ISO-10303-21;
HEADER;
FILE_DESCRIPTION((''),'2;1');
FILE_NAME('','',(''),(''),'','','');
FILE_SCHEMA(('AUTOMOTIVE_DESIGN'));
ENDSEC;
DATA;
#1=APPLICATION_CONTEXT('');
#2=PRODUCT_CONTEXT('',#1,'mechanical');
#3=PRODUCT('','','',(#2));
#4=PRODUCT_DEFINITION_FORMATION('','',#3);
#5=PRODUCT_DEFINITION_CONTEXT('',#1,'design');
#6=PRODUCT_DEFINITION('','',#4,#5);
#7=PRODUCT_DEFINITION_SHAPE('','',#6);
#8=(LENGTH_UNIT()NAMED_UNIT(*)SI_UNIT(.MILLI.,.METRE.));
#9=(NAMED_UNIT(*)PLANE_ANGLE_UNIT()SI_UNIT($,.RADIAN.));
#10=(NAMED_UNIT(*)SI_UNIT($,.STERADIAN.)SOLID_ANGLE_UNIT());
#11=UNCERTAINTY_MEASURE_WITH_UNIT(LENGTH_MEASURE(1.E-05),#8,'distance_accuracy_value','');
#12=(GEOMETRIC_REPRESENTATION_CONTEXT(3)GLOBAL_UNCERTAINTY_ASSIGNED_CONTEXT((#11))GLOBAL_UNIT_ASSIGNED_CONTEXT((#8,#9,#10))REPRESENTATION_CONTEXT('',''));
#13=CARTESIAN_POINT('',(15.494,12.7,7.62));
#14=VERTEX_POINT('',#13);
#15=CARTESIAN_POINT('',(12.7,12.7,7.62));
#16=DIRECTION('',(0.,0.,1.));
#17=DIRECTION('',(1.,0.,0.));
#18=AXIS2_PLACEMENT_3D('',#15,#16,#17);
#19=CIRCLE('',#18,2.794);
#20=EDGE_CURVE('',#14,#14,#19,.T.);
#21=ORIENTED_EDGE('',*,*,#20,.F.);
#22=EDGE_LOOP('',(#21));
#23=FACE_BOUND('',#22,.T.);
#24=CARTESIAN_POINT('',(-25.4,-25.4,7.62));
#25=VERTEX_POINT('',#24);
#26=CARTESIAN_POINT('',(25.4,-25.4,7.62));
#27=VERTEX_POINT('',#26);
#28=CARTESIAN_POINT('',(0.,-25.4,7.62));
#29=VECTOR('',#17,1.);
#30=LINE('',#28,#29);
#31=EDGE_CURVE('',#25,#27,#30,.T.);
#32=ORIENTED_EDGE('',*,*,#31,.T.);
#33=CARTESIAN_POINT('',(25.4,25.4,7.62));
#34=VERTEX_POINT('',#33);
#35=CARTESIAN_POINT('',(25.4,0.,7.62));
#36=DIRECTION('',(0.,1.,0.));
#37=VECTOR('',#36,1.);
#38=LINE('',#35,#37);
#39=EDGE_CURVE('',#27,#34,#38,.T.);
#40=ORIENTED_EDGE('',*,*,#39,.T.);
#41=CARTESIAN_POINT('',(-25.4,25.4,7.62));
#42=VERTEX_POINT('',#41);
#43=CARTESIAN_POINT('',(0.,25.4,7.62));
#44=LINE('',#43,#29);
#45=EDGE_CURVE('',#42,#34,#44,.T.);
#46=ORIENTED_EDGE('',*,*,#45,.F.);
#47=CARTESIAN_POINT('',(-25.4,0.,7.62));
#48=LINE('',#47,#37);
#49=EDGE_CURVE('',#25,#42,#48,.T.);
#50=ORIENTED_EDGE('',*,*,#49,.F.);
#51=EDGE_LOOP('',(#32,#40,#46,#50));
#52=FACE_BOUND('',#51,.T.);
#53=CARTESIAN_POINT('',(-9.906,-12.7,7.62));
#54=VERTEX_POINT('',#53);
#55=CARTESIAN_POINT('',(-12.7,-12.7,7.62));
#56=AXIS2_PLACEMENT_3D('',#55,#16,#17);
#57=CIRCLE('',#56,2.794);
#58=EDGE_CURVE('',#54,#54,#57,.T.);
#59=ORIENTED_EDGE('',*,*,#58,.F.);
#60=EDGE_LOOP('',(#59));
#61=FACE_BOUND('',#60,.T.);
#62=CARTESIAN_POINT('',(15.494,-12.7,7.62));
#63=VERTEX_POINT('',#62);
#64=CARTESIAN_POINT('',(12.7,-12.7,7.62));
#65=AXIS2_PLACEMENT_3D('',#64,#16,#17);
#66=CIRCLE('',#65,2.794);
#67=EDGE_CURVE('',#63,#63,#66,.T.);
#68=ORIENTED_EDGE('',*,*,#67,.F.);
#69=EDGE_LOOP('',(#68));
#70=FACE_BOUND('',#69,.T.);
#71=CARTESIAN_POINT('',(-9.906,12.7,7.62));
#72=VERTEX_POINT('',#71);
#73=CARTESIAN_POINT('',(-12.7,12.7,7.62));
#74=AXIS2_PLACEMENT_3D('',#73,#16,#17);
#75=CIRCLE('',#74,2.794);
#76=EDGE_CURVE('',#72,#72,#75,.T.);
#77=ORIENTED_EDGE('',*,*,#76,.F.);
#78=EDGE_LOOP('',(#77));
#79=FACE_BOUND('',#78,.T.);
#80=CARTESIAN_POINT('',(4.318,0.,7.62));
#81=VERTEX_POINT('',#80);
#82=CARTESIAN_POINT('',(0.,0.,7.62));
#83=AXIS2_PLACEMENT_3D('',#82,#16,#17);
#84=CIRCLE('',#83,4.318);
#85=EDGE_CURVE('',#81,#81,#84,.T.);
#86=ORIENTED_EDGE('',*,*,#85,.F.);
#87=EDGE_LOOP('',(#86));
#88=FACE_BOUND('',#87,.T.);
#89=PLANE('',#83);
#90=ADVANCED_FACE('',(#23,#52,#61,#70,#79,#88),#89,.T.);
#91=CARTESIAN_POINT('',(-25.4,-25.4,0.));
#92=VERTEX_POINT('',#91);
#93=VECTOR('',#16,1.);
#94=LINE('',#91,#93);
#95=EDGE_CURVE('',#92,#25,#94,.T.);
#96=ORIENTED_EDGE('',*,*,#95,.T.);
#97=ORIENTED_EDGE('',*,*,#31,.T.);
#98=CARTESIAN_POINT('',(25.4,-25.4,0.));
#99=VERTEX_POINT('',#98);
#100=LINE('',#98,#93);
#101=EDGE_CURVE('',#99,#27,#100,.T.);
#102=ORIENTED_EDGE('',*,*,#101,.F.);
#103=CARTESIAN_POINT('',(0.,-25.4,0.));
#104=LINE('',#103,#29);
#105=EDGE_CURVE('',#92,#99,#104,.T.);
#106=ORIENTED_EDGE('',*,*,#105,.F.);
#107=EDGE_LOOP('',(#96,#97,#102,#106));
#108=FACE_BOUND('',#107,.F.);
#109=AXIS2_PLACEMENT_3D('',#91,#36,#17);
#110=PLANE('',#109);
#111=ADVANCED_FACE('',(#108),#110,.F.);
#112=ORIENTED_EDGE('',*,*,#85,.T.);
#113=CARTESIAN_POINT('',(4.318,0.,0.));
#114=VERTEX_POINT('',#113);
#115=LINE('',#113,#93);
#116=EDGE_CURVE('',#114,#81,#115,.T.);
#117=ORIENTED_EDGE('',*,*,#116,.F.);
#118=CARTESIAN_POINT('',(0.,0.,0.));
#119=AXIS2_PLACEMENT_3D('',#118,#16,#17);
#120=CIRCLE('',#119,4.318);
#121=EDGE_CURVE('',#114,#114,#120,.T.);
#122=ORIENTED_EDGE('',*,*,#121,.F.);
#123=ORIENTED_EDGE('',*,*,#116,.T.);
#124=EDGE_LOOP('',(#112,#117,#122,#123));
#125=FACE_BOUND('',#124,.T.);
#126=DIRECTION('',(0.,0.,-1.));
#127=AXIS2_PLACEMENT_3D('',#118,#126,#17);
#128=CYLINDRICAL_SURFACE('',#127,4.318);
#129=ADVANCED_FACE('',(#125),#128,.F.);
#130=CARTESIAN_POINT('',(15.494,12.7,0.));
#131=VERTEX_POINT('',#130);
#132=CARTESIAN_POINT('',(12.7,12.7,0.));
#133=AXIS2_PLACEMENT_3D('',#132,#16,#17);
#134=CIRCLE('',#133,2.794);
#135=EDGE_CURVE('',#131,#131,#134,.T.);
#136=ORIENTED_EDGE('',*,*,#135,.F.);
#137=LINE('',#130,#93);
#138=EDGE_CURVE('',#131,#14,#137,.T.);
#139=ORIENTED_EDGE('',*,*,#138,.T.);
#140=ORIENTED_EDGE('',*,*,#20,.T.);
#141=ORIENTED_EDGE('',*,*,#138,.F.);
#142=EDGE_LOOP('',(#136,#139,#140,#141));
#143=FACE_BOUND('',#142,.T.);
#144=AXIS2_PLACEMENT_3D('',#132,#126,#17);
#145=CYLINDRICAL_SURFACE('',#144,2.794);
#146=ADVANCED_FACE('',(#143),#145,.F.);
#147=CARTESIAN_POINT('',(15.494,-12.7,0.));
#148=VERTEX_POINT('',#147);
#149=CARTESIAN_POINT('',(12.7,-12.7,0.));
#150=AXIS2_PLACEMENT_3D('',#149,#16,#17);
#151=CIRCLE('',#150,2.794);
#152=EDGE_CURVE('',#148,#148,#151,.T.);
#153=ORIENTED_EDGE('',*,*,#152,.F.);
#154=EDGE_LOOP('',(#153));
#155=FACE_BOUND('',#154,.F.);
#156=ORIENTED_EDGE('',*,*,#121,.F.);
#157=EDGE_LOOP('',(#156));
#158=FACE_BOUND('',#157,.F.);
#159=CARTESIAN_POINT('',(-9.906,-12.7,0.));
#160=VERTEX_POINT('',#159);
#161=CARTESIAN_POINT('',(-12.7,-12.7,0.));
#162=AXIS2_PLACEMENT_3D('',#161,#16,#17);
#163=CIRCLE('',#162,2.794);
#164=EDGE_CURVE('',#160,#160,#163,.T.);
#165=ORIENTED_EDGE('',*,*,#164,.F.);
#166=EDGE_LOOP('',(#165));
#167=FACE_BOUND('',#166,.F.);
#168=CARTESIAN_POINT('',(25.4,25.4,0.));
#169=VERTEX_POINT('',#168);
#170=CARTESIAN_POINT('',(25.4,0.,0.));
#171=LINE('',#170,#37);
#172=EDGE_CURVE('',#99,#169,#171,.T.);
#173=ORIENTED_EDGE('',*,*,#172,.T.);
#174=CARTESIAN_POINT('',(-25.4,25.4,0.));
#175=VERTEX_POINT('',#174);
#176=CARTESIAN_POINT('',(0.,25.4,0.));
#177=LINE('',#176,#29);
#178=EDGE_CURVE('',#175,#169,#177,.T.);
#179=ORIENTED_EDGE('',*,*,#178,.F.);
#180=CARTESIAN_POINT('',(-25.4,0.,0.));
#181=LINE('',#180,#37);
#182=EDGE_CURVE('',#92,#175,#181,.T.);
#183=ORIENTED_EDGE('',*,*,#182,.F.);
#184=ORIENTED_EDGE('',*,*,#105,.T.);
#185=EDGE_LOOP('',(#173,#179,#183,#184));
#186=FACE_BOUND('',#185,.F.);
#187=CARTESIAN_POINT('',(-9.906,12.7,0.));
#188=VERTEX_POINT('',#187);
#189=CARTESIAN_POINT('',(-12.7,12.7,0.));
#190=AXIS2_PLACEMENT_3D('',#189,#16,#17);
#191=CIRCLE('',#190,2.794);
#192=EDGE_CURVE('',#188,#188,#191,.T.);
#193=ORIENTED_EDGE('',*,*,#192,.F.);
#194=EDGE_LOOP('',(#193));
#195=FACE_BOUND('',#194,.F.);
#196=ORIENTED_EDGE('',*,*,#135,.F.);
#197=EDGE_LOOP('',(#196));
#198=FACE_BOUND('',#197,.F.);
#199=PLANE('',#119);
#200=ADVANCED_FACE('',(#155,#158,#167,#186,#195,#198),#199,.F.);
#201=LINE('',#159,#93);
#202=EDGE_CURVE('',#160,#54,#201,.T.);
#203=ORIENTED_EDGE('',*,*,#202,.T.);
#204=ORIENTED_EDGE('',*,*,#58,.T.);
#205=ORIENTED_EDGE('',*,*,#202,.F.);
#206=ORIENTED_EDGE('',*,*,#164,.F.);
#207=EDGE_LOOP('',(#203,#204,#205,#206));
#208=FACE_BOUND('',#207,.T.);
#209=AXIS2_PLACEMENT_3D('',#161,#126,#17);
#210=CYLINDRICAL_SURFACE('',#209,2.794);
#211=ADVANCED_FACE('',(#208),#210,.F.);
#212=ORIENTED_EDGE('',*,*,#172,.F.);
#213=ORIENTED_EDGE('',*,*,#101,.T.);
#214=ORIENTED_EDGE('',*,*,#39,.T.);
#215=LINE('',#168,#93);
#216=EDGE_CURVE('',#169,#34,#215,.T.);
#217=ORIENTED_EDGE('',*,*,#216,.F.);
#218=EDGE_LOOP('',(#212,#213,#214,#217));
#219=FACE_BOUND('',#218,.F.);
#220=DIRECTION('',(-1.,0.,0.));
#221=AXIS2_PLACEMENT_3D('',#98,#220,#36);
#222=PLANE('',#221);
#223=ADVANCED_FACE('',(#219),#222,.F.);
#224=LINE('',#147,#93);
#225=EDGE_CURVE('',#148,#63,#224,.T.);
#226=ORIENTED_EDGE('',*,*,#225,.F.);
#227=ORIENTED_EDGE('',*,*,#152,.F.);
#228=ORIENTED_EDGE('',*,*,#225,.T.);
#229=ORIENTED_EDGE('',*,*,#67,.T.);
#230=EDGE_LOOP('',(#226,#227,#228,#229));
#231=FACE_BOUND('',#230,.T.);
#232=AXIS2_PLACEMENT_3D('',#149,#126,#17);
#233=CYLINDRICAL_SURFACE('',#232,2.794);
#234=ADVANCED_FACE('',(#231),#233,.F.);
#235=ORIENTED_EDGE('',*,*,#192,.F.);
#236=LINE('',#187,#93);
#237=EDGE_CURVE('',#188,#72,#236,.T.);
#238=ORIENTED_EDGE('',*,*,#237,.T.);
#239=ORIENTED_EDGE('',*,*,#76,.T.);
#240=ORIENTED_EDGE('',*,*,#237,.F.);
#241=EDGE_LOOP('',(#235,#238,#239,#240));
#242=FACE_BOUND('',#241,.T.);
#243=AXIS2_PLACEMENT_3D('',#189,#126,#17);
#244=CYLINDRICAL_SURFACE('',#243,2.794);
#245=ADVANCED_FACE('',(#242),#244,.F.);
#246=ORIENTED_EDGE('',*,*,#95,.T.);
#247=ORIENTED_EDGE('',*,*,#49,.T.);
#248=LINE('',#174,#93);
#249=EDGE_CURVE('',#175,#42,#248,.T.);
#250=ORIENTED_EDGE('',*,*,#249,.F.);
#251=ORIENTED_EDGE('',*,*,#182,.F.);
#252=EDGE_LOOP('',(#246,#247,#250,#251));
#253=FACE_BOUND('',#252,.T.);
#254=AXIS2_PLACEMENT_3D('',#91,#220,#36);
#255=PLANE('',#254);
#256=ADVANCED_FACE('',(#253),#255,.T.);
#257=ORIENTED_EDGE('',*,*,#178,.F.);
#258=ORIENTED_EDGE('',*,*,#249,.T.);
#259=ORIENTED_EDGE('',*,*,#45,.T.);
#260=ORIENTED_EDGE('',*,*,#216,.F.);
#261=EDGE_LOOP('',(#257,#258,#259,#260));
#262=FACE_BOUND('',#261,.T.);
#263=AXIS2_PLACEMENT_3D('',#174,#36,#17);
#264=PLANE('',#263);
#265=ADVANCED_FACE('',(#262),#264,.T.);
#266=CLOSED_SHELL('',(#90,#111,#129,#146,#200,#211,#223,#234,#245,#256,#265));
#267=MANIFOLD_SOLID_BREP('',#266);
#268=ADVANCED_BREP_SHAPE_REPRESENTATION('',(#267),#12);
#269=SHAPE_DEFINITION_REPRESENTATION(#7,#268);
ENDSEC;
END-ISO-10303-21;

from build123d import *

# Parameters (mm, degrees)
F0_W     = 50.8
F0_H     = 50.8
F0_R     = 2.794
F0_R_2   = 4.318
F1_DEPTH = 7.62


with BuildPart() as f1:
    # F0 (on Top) → F1 (new body)
    with BuildSketch(Plane.XY):
        Rectangle(F0_W, F0_H)
        with Locations((-12.7, -12.7)):
            Circle(F0_R, mode=Mode.SUBTRACT)
        Circle(F0_R_2, mode=Mode.SUBTRACT)
        with Locations((12.7, -12.7)):
            Circle(F0_R, mode=Mode.SUBTRACT)
        with Locations((-12.7, 12.7)):
            Circle(F0_R, mode=Mode.SUBTRACT)
        with Locations((12.7, 12.7)):
            Circle(F0_R, mode=Mode.SUBTRACT)
    extrude(amount=F1_DEPTH)


solid = f1.part
